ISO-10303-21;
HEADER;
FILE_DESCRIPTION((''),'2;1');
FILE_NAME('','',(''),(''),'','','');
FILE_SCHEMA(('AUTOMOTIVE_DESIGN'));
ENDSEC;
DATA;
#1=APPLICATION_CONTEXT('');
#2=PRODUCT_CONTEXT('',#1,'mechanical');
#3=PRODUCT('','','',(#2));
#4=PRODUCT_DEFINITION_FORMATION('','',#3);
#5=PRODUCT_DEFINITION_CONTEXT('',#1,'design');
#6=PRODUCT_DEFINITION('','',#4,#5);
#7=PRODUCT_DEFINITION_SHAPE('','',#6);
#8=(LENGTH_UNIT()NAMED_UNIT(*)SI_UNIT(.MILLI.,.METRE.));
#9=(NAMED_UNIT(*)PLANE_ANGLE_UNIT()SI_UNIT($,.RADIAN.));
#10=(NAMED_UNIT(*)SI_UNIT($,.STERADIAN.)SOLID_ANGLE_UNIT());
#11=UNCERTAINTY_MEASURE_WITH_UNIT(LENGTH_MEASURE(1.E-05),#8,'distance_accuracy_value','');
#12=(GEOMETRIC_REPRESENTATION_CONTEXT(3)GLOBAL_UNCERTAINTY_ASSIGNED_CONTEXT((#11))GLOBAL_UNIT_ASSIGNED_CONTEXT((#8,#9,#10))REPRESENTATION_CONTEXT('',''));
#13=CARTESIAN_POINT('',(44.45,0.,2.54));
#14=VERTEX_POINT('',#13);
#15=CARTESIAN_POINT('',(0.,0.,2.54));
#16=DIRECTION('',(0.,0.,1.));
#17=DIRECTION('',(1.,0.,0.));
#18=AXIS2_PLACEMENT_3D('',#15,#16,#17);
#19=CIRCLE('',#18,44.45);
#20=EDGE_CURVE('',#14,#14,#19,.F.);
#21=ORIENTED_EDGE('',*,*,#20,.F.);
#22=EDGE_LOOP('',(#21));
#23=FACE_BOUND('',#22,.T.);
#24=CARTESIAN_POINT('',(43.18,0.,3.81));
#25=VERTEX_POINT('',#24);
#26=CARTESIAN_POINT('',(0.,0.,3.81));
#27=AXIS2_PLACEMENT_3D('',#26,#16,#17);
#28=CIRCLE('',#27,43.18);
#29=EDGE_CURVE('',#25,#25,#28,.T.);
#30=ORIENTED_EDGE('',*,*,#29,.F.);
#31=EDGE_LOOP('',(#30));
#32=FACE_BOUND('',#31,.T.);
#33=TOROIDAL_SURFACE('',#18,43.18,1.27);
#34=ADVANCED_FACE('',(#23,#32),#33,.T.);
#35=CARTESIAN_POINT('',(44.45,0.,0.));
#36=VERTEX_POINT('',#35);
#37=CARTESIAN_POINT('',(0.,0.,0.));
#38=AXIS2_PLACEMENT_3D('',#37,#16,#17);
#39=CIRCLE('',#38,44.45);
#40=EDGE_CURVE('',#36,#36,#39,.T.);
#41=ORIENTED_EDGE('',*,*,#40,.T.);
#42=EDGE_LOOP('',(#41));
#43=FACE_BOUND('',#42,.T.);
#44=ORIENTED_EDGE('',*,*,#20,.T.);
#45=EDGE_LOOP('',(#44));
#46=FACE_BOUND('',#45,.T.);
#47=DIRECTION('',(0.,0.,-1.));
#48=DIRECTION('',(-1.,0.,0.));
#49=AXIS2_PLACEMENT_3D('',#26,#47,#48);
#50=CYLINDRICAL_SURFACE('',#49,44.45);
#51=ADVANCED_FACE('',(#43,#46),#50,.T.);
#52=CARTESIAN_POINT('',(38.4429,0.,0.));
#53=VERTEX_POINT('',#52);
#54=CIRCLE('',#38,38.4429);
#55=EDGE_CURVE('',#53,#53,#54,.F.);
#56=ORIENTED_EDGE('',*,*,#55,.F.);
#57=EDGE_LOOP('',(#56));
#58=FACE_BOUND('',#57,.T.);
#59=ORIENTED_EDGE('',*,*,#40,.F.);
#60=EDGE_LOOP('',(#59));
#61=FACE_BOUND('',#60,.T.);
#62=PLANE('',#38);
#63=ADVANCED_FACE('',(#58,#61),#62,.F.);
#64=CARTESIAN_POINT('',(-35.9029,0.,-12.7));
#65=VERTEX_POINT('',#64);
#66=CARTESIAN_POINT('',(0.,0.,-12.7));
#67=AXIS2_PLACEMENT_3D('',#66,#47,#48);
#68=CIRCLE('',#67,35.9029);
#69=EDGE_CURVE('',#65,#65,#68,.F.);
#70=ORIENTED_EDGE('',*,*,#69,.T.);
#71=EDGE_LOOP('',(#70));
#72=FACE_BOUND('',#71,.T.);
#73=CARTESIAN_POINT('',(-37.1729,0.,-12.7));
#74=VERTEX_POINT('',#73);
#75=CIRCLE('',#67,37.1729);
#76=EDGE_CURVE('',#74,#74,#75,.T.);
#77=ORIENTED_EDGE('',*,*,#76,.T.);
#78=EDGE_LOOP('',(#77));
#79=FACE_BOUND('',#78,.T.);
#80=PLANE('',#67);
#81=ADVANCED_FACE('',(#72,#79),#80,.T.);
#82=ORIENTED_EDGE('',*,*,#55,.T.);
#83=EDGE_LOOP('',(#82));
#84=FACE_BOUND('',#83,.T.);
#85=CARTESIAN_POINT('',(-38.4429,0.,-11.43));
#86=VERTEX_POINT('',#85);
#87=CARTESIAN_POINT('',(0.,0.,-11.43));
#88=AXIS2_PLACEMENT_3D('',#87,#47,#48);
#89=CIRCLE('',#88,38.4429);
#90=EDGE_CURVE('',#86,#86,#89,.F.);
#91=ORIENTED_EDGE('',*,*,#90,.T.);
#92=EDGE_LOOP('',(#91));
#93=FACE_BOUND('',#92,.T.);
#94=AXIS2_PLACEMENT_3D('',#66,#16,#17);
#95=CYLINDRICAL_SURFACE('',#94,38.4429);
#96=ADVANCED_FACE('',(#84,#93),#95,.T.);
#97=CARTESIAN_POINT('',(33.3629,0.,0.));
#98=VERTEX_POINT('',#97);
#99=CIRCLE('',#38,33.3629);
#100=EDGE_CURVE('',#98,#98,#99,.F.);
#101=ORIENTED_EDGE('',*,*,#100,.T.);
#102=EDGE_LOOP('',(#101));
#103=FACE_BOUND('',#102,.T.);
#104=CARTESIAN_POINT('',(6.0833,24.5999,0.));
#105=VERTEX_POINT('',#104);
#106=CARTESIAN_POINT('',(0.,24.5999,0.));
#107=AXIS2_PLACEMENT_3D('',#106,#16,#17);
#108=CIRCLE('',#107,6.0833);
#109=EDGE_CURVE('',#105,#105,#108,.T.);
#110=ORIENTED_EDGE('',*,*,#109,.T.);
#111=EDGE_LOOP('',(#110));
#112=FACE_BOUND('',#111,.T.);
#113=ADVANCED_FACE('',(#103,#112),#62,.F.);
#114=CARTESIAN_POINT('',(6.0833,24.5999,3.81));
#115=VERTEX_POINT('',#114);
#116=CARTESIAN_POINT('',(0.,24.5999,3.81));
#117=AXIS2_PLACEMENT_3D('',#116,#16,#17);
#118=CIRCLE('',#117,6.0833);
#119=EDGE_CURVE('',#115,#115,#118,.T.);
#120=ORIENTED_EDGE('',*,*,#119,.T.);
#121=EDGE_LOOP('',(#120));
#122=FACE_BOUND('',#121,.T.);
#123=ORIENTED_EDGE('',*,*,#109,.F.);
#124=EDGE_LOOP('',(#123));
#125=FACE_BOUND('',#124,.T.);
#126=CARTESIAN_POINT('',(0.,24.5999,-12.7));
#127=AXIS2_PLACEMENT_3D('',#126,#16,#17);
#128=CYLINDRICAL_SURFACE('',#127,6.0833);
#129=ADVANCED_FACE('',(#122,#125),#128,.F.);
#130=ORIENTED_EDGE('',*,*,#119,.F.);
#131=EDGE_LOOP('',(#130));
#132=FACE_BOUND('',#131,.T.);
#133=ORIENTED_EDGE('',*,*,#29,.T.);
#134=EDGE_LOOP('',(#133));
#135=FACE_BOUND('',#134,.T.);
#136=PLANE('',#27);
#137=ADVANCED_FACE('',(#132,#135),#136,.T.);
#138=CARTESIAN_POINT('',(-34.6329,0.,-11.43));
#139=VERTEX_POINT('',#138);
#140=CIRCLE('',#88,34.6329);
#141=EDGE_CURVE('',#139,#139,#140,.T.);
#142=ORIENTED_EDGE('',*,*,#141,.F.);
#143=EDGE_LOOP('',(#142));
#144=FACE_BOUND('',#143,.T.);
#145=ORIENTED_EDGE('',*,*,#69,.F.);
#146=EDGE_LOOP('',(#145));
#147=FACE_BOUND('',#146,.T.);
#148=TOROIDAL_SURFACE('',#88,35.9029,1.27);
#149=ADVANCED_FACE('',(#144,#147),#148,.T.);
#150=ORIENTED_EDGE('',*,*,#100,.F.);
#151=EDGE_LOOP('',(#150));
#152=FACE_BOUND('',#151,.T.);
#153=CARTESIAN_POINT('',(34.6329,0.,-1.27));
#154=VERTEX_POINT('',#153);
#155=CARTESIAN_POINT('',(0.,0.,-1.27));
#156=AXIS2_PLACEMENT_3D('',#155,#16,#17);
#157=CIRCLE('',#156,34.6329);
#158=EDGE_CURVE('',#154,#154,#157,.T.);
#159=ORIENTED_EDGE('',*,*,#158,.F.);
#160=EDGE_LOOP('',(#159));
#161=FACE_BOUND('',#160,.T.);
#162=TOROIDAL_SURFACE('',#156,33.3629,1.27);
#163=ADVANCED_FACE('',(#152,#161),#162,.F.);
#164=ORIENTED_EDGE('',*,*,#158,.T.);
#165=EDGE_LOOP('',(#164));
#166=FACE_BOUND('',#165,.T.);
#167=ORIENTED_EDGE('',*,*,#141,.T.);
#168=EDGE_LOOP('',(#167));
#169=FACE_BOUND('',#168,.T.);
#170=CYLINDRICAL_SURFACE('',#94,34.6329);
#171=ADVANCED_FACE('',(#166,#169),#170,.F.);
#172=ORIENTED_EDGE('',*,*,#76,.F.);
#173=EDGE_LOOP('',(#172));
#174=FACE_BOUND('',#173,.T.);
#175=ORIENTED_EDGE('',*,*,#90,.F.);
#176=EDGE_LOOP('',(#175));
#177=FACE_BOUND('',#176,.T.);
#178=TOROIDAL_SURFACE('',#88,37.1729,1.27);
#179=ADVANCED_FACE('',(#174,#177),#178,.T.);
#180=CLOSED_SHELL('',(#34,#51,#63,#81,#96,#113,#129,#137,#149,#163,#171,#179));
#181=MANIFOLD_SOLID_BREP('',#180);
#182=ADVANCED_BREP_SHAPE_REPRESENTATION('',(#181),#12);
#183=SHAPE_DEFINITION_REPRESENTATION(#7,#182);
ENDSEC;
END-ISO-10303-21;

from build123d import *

# Parameters (mm, degrees)
SKETCH1_R           = 44.45
BOSS_EXTRUDE1_DEPTH = 3.81
SKETCH2_R           = 38.4429
SKETCH2_R_2         = 34.6329
BOSS_EXTRUDE2_DEPTH = 12.7
FILLET1_R           = 1.27
SKETCH4_R           = 6.0833
CUT_EXTRUDE1_DEPTH  = 17.51


with BuildPart() as part:
    # Sketch1 → Boss-Extrude1 (new body)
    with BuildSketch(Plane.XY):
        Circle(SKETCH1_R)
    extrude(amount=BOSS_EXTRUDE1_DEPTH)

    # Sketch2 → Boss-Extrude2 (add)
    with BuildSketch(Plane(origin=(0, 0, 0), x_dir=(-1, 0, 0), z_dir=(0, 0, -1))):
        Circle(SKETCH2_R)
        Circle(SKETCH2_R_2, mode=Mode.SUBTRACT)
    extrude(amount=BOSS_EXTRUDE2_DEPTH)

    # Fillet1
    fillet1_edges = [part.edges().sort_by_distance(p)[0] for p in [
        (-44.45, 0, 3.81),
        (38.4429, 0, -12.7),
        (34.6329, 0, 0),
        (34.6329, 0, -12.7),
    ]]
    fillet(fillet1_edges, radius=FILLET1_R)

    # Sketch4 → Cut-Extrude1 (cut, through all)
    with BuildSketch(Plane.XY.offset(3.81)):
        with Locations((0, 24.5999)):
            Circle(SKETCH4_R)
    extrude(amount=-CUT_EXTRUDE1_DEPTH, mode=Mode.SUBTRACT)


solid = part.part
